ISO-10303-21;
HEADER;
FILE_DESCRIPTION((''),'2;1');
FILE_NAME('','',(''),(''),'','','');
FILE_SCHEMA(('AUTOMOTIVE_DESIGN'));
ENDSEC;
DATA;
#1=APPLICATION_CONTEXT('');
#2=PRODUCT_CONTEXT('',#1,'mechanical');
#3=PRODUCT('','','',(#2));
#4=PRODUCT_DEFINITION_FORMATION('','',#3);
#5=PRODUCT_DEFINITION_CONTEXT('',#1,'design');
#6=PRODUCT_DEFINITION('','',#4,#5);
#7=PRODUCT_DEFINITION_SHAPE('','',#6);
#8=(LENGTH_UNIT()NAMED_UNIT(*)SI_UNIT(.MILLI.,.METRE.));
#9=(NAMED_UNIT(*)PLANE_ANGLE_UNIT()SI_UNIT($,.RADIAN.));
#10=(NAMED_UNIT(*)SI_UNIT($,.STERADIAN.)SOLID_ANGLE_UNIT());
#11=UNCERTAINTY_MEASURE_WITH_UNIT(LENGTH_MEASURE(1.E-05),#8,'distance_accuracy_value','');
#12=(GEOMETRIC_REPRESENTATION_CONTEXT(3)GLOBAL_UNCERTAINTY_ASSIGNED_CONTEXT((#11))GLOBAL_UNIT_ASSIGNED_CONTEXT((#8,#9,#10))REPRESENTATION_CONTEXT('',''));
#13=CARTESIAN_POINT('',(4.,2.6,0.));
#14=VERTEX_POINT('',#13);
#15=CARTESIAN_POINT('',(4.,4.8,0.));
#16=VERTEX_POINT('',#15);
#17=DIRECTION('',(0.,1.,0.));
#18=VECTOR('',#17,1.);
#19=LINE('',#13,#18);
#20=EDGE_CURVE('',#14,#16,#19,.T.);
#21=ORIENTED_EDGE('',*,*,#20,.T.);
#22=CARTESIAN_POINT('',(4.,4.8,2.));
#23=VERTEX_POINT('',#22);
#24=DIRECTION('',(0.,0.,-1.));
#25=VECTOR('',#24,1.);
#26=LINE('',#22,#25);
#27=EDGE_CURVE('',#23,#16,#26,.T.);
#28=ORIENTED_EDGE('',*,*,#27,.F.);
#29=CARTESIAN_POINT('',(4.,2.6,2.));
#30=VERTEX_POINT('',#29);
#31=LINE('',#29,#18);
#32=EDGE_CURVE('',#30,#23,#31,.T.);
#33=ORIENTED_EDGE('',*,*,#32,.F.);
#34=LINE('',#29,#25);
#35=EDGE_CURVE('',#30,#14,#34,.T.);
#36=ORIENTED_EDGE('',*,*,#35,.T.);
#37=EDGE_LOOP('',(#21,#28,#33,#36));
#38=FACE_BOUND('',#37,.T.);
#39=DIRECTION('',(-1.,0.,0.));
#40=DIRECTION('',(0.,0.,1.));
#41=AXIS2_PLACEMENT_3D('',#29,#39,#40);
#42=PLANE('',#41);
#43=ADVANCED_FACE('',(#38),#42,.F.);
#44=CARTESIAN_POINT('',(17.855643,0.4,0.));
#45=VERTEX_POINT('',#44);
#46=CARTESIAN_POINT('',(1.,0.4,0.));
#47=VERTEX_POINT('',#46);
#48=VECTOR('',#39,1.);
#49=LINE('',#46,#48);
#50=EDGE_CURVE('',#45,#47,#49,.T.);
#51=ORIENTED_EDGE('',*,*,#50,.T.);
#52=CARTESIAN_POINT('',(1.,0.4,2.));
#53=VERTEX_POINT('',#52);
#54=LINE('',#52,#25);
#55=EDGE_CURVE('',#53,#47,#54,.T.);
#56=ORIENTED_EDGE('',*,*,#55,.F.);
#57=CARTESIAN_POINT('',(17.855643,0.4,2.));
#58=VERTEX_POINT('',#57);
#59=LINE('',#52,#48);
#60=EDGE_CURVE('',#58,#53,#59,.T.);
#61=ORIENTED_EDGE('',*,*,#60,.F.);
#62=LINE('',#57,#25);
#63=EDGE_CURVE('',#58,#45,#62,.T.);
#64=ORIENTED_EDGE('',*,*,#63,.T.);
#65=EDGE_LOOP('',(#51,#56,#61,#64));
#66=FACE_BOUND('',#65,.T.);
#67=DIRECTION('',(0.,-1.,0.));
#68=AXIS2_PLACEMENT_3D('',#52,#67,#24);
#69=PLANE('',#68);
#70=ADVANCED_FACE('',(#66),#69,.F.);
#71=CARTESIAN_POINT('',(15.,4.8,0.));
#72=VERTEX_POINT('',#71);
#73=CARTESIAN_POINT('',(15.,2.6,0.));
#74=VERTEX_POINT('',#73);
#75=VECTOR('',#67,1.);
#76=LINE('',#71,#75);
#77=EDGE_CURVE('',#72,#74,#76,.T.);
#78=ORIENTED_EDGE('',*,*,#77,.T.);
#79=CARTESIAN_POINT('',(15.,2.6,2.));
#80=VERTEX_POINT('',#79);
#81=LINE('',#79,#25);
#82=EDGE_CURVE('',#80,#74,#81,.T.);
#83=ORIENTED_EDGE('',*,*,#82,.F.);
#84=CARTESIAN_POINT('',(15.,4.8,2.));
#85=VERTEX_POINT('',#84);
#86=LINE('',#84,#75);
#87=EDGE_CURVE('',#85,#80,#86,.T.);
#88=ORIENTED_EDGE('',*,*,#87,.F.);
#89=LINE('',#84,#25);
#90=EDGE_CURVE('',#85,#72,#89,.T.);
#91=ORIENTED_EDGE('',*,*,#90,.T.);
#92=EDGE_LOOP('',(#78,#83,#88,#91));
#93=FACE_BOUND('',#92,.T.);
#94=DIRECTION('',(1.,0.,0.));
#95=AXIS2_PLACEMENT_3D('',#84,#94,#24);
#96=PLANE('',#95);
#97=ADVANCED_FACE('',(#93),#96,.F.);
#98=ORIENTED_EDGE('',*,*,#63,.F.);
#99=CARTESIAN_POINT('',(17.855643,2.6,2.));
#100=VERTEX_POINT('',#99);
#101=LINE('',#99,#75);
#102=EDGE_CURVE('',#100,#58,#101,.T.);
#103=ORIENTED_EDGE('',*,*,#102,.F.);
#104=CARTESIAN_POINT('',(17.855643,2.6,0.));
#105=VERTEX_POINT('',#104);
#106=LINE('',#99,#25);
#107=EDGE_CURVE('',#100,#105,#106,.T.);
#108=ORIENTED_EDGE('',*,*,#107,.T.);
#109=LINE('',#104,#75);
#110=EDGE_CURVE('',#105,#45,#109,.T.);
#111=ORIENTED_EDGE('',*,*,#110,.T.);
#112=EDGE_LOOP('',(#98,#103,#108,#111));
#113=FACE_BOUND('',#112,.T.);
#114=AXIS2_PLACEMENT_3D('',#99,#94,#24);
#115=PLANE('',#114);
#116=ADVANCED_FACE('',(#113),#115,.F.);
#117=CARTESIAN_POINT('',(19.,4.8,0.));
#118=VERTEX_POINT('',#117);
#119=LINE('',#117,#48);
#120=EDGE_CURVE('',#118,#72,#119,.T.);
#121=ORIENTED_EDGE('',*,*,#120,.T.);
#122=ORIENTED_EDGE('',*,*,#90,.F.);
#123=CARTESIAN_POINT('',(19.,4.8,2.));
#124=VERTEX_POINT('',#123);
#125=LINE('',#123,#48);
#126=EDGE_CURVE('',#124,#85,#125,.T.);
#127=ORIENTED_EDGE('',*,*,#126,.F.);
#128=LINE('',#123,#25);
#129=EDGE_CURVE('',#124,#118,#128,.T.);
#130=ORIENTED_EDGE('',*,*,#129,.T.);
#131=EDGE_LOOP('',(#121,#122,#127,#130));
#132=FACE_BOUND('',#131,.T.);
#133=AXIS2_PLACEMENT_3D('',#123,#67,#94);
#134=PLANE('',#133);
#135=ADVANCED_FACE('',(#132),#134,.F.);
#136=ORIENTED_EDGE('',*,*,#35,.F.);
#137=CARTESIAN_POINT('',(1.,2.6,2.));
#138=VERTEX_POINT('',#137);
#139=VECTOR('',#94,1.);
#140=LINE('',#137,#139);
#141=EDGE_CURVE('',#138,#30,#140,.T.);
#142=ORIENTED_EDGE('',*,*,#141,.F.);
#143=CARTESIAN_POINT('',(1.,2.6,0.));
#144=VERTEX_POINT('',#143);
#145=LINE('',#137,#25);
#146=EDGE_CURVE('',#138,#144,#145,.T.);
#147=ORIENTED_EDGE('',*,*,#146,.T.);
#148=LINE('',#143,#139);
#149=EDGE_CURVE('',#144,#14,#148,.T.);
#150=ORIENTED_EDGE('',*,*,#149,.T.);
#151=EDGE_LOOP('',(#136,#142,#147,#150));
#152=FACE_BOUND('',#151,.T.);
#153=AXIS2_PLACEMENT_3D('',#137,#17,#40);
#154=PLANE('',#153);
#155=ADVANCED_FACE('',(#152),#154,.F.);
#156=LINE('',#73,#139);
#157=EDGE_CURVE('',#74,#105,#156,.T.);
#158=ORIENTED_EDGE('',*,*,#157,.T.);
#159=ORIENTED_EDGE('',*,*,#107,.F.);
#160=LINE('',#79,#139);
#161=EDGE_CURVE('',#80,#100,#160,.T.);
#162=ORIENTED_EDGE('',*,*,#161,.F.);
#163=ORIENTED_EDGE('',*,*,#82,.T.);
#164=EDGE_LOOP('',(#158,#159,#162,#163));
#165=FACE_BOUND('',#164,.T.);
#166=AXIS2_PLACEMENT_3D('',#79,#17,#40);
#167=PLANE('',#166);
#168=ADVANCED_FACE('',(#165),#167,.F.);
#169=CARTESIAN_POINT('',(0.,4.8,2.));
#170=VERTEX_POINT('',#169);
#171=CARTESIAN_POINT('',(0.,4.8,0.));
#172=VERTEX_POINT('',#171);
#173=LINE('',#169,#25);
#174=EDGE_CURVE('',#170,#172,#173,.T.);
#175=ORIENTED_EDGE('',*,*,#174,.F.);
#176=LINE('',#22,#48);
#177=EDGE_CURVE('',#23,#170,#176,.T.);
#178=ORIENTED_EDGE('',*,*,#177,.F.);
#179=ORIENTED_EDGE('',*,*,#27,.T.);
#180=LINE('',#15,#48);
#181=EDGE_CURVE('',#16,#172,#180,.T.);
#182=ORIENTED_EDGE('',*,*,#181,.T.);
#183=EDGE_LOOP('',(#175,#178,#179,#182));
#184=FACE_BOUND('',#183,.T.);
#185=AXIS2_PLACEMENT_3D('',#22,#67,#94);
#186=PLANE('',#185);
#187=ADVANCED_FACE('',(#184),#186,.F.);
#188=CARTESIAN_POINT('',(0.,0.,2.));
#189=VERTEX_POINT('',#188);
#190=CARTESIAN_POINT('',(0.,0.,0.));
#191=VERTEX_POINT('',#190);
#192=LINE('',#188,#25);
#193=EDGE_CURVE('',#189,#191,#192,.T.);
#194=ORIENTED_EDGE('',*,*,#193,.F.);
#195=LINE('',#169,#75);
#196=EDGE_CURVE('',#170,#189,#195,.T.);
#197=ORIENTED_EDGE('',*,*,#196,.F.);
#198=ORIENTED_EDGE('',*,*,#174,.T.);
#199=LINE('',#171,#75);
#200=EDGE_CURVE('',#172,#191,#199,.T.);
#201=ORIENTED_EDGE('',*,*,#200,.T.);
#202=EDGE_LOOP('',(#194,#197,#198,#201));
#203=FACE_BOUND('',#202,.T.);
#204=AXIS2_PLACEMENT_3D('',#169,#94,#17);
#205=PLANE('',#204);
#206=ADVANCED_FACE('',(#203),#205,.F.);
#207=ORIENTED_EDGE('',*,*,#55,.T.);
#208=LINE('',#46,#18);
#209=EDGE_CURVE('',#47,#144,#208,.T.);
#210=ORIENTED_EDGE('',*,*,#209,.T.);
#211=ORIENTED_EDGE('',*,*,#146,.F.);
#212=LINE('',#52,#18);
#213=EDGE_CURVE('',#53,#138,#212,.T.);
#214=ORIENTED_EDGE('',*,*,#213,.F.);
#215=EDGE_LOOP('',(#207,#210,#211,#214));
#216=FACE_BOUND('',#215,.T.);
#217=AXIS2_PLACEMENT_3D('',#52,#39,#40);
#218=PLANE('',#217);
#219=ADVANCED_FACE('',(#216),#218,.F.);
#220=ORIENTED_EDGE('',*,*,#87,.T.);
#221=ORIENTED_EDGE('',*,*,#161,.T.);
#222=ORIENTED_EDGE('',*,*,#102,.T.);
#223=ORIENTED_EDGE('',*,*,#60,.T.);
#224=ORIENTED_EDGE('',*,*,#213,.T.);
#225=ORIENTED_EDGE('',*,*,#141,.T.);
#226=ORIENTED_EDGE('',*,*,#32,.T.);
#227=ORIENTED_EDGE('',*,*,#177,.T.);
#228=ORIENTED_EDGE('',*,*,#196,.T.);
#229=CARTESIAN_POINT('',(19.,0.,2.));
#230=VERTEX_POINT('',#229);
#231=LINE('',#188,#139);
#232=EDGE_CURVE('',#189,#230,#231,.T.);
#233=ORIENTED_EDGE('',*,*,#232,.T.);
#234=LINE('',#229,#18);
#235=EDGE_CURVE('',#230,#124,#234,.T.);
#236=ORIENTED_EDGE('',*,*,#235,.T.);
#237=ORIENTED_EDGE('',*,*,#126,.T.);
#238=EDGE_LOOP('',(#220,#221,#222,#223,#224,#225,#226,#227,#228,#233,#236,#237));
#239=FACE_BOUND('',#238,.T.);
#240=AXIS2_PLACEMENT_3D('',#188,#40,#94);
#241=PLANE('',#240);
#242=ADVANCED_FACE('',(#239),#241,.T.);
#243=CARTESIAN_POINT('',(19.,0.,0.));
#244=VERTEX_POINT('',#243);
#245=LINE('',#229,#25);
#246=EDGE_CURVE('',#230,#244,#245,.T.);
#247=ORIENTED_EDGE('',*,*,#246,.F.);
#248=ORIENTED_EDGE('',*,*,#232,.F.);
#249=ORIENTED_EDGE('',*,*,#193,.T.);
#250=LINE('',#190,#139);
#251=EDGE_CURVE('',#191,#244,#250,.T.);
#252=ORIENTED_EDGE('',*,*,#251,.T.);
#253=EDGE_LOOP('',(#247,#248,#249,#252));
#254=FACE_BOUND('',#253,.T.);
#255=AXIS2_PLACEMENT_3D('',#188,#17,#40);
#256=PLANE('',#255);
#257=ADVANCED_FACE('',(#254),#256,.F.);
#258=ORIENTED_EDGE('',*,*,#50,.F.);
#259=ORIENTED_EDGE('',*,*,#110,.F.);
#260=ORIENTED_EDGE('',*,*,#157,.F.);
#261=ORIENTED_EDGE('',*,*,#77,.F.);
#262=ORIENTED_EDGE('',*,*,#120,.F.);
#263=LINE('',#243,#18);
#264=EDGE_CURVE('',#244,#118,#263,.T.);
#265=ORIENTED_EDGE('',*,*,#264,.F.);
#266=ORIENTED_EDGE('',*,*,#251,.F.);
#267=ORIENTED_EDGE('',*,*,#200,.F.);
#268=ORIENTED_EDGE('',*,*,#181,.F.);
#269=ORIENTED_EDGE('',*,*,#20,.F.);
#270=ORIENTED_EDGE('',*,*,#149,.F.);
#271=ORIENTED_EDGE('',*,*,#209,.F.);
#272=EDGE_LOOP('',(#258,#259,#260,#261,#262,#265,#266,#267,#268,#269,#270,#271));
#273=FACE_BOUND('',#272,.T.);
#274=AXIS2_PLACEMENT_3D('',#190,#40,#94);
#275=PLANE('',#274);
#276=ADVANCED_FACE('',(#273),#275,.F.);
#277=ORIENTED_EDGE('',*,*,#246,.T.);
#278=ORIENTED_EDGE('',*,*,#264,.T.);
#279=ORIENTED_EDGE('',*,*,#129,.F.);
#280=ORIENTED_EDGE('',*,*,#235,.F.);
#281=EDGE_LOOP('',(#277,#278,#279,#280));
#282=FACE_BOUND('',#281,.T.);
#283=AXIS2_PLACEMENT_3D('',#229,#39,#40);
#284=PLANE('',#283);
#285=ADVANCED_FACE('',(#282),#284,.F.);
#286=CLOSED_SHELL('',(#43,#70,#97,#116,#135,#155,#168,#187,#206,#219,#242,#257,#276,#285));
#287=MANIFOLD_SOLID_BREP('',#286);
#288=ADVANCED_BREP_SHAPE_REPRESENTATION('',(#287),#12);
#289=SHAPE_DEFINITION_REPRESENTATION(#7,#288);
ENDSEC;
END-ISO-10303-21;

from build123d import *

# Parameters (mm, degrees)
BOSS_EXTRUDE1_DEPTH = 2


with BuildPart() as part:
    # Sketch1 → Boss-Extrude1 (new body)
    with BuildSketch(Plane.XY):
        Polygon((0, 0), (19, 0), (19, 4.8), (15, 4.8), (15, 2.6), (17.855643045, 2.6), (17.855643045, 0.4), (1, 0.4), (1, 2.6), (4, 2.6), (4, 4.8), (0, 4.8), align=None)
    extrude(amount=BOSS_EXTRUDE1_DEPTH)


solid = part.part
